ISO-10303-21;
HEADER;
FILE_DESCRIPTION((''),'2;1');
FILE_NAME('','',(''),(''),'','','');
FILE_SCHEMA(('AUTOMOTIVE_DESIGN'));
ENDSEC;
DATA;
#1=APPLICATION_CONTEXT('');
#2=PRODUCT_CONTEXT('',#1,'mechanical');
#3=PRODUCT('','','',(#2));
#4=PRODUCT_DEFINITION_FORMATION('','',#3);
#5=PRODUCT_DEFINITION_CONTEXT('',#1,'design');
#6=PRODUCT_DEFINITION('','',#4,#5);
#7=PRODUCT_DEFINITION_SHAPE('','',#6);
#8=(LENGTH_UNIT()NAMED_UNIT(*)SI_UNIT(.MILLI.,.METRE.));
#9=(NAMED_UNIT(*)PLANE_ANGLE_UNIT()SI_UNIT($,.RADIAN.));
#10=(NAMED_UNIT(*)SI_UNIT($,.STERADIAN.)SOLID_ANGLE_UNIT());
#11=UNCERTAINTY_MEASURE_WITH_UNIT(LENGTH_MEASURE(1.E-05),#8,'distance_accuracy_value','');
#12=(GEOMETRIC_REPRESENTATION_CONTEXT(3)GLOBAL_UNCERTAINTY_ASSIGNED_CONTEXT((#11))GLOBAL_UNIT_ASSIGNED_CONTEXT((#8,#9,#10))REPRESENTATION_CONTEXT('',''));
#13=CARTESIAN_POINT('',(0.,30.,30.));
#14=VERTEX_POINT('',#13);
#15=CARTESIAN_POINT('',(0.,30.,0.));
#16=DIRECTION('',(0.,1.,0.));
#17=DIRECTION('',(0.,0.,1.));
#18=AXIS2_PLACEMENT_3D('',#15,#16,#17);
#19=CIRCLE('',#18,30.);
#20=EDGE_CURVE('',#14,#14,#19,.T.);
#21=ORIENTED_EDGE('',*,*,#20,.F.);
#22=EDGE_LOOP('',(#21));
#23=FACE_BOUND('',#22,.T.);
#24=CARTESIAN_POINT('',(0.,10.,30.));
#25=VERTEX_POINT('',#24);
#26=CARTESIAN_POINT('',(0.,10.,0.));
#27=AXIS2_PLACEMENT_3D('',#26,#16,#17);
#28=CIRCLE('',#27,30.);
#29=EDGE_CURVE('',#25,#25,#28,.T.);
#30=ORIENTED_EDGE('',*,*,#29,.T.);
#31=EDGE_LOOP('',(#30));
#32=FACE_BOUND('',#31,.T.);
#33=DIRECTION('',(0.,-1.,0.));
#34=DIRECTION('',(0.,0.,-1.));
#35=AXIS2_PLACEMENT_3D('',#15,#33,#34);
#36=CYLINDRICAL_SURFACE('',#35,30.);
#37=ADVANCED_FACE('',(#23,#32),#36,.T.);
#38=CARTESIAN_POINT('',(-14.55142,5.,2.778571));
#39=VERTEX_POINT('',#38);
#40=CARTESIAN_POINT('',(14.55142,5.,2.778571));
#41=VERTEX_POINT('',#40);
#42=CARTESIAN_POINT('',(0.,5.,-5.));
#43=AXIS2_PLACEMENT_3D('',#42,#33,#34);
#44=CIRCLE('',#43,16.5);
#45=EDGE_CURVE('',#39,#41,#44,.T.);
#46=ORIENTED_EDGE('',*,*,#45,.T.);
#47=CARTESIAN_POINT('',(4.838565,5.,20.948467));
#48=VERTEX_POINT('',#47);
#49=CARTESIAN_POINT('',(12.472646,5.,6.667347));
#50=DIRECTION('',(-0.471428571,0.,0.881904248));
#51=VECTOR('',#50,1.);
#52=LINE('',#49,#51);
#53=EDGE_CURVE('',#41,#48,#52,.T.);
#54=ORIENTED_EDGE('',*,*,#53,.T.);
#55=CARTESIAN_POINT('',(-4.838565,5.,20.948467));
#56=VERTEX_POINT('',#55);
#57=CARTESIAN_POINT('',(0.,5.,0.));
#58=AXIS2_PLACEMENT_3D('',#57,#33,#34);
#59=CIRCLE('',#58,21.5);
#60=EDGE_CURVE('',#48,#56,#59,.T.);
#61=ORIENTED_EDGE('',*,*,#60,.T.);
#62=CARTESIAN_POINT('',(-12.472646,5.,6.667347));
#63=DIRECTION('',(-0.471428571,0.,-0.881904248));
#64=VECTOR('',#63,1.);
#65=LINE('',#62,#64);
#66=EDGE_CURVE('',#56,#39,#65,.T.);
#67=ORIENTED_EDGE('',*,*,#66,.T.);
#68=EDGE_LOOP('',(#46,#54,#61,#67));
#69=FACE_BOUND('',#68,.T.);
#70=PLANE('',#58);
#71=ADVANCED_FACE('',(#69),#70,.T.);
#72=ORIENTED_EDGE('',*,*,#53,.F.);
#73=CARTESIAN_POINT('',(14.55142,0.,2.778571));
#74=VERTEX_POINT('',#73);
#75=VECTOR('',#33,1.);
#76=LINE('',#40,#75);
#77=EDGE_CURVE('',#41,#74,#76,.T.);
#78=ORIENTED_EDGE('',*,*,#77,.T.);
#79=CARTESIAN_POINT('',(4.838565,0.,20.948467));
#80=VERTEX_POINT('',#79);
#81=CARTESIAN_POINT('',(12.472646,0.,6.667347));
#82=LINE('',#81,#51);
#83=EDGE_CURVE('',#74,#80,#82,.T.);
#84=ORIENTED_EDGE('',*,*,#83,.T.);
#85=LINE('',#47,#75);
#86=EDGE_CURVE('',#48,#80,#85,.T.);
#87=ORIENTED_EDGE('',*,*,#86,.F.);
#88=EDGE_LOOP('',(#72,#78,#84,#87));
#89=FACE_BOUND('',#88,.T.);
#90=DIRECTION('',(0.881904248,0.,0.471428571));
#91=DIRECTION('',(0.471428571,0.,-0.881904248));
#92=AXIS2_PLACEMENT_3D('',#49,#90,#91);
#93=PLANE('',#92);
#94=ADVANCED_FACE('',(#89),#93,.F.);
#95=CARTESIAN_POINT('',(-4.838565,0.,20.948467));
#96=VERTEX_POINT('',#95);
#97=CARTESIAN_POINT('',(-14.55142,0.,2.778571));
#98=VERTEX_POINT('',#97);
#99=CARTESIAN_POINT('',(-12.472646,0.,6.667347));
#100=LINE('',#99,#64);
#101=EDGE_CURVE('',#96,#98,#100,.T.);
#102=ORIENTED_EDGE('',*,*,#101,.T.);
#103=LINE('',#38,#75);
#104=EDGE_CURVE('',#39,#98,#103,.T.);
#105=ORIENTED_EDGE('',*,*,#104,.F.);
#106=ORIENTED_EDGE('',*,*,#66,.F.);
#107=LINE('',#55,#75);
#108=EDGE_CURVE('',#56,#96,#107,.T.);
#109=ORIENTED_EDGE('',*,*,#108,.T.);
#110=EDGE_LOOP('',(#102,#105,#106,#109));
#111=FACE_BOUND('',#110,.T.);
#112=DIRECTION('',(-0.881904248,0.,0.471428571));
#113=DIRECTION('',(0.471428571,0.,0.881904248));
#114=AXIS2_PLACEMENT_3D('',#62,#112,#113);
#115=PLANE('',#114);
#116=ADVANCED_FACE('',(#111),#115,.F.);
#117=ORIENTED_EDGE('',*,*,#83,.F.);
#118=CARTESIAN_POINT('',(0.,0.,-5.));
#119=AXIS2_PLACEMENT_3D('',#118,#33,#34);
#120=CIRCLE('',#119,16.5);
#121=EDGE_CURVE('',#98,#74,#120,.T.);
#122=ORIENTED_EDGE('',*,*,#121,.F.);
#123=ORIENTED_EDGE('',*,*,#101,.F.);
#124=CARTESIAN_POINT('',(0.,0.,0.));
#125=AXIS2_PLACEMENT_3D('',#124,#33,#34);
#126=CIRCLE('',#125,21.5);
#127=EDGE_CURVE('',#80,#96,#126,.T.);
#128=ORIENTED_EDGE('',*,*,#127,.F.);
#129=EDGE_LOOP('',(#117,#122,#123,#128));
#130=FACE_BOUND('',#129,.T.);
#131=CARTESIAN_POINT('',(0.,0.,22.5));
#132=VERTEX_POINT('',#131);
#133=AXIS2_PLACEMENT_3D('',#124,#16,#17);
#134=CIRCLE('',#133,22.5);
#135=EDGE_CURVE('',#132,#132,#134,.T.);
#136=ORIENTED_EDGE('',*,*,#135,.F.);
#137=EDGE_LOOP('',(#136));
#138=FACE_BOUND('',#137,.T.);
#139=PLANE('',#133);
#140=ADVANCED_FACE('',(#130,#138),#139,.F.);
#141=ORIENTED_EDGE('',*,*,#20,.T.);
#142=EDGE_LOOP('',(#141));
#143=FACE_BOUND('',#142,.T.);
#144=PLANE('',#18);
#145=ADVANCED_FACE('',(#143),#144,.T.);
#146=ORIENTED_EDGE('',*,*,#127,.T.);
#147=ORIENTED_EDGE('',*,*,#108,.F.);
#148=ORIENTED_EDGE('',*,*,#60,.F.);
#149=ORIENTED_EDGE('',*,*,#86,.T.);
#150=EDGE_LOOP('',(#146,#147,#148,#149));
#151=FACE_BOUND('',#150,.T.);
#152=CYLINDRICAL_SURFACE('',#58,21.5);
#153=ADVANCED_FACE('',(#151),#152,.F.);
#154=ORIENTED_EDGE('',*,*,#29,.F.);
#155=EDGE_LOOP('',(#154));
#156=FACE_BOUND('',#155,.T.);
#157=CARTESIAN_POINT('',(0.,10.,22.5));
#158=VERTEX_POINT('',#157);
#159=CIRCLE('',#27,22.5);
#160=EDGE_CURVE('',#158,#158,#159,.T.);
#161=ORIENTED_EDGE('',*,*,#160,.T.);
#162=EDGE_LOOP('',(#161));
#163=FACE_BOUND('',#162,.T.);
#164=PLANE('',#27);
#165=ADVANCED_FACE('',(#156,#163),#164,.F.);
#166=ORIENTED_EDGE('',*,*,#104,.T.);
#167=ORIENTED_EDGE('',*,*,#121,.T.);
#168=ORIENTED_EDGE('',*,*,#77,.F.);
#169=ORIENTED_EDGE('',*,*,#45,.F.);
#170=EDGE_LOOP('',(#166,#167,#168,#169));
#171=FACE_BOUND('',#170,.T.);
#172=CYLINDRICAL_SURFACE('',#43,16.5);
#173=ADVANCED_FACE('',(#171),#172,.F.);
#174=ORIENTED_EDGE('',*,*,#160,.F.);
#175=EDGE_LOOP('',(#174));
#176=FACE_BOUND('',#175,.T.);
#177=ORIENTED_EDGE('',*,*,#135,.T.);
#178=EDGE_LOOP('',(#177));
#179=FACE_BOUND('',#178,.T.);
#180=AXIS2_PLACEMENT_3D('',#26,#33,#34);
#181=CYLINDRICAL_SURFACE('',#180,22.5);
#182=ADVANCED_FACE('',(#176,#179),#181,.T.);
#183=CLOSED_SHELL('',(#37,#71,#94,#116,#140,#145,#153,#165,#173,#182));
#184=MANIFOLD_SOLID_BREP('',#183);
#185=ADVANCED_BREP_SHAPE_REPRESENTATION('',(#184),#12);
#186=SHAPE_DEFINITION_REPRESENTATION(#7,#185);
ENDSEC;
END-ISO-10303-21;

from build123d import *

# Parameters (mm, degrees)
SKETCH1_R           = 22.5
BOSS_EXTRUDE1_DEPTH = 10
SKETCH2_R           = 30
BOSS_EXTRUDE2_DEPTH = 20
SKETCH3_R           = 16.5
CUT_EXTRUDE2_DEPTH  = 5


with BuildPart() as part:
    # Sketch1 → Boss-Extrude1 (new body)
    with BuildSketch(Plane(origin=(0, 0, 0), x_dir=(1, 0, 0), z_dir=(0, 1, 0))):
        Circle(SKETCH1_R)
    extrude(amount=BOSS_EXTRUDE1_DEPTH)

    # Sketch2 → Boss-Extrude2 (add)
    with BuildSketch(Plane(origin=(0, 10, 0), x_dir=(1, 0, 0), z_dir=(0, 1, 0))):
        Circle(SKETCH2_R)
    extrude(amount=BOSS_EXTRUDE2_DEPTH)

    # Sketch3 → Cut-Extrude2 (cut)
    with BuildSketch(Plane.XZ):
        with BuildLine():
            ThreePointArc((-14.551420086, 2.778571429), (0, 11.5), (14.551420086, 2.778571429))
            Line((14.551420086, 2.778571429), (4.83856504, 20.948467447))
            ThreePointArc((4.83856504, 20.948467447), (0, 21.5), (-4.83856504, 20.948467447))
            Line((-4.83856504, 20.948467447), (-14.551420086, 2.778571429))
        make_face()
        with Locations((0, -5)):
            Circle(SKETCH3_R)
    extrude(amount=-CUT_EXTRUDE2_DEPTH, mode=Mode.SUBTRACT)


solid = part.part
